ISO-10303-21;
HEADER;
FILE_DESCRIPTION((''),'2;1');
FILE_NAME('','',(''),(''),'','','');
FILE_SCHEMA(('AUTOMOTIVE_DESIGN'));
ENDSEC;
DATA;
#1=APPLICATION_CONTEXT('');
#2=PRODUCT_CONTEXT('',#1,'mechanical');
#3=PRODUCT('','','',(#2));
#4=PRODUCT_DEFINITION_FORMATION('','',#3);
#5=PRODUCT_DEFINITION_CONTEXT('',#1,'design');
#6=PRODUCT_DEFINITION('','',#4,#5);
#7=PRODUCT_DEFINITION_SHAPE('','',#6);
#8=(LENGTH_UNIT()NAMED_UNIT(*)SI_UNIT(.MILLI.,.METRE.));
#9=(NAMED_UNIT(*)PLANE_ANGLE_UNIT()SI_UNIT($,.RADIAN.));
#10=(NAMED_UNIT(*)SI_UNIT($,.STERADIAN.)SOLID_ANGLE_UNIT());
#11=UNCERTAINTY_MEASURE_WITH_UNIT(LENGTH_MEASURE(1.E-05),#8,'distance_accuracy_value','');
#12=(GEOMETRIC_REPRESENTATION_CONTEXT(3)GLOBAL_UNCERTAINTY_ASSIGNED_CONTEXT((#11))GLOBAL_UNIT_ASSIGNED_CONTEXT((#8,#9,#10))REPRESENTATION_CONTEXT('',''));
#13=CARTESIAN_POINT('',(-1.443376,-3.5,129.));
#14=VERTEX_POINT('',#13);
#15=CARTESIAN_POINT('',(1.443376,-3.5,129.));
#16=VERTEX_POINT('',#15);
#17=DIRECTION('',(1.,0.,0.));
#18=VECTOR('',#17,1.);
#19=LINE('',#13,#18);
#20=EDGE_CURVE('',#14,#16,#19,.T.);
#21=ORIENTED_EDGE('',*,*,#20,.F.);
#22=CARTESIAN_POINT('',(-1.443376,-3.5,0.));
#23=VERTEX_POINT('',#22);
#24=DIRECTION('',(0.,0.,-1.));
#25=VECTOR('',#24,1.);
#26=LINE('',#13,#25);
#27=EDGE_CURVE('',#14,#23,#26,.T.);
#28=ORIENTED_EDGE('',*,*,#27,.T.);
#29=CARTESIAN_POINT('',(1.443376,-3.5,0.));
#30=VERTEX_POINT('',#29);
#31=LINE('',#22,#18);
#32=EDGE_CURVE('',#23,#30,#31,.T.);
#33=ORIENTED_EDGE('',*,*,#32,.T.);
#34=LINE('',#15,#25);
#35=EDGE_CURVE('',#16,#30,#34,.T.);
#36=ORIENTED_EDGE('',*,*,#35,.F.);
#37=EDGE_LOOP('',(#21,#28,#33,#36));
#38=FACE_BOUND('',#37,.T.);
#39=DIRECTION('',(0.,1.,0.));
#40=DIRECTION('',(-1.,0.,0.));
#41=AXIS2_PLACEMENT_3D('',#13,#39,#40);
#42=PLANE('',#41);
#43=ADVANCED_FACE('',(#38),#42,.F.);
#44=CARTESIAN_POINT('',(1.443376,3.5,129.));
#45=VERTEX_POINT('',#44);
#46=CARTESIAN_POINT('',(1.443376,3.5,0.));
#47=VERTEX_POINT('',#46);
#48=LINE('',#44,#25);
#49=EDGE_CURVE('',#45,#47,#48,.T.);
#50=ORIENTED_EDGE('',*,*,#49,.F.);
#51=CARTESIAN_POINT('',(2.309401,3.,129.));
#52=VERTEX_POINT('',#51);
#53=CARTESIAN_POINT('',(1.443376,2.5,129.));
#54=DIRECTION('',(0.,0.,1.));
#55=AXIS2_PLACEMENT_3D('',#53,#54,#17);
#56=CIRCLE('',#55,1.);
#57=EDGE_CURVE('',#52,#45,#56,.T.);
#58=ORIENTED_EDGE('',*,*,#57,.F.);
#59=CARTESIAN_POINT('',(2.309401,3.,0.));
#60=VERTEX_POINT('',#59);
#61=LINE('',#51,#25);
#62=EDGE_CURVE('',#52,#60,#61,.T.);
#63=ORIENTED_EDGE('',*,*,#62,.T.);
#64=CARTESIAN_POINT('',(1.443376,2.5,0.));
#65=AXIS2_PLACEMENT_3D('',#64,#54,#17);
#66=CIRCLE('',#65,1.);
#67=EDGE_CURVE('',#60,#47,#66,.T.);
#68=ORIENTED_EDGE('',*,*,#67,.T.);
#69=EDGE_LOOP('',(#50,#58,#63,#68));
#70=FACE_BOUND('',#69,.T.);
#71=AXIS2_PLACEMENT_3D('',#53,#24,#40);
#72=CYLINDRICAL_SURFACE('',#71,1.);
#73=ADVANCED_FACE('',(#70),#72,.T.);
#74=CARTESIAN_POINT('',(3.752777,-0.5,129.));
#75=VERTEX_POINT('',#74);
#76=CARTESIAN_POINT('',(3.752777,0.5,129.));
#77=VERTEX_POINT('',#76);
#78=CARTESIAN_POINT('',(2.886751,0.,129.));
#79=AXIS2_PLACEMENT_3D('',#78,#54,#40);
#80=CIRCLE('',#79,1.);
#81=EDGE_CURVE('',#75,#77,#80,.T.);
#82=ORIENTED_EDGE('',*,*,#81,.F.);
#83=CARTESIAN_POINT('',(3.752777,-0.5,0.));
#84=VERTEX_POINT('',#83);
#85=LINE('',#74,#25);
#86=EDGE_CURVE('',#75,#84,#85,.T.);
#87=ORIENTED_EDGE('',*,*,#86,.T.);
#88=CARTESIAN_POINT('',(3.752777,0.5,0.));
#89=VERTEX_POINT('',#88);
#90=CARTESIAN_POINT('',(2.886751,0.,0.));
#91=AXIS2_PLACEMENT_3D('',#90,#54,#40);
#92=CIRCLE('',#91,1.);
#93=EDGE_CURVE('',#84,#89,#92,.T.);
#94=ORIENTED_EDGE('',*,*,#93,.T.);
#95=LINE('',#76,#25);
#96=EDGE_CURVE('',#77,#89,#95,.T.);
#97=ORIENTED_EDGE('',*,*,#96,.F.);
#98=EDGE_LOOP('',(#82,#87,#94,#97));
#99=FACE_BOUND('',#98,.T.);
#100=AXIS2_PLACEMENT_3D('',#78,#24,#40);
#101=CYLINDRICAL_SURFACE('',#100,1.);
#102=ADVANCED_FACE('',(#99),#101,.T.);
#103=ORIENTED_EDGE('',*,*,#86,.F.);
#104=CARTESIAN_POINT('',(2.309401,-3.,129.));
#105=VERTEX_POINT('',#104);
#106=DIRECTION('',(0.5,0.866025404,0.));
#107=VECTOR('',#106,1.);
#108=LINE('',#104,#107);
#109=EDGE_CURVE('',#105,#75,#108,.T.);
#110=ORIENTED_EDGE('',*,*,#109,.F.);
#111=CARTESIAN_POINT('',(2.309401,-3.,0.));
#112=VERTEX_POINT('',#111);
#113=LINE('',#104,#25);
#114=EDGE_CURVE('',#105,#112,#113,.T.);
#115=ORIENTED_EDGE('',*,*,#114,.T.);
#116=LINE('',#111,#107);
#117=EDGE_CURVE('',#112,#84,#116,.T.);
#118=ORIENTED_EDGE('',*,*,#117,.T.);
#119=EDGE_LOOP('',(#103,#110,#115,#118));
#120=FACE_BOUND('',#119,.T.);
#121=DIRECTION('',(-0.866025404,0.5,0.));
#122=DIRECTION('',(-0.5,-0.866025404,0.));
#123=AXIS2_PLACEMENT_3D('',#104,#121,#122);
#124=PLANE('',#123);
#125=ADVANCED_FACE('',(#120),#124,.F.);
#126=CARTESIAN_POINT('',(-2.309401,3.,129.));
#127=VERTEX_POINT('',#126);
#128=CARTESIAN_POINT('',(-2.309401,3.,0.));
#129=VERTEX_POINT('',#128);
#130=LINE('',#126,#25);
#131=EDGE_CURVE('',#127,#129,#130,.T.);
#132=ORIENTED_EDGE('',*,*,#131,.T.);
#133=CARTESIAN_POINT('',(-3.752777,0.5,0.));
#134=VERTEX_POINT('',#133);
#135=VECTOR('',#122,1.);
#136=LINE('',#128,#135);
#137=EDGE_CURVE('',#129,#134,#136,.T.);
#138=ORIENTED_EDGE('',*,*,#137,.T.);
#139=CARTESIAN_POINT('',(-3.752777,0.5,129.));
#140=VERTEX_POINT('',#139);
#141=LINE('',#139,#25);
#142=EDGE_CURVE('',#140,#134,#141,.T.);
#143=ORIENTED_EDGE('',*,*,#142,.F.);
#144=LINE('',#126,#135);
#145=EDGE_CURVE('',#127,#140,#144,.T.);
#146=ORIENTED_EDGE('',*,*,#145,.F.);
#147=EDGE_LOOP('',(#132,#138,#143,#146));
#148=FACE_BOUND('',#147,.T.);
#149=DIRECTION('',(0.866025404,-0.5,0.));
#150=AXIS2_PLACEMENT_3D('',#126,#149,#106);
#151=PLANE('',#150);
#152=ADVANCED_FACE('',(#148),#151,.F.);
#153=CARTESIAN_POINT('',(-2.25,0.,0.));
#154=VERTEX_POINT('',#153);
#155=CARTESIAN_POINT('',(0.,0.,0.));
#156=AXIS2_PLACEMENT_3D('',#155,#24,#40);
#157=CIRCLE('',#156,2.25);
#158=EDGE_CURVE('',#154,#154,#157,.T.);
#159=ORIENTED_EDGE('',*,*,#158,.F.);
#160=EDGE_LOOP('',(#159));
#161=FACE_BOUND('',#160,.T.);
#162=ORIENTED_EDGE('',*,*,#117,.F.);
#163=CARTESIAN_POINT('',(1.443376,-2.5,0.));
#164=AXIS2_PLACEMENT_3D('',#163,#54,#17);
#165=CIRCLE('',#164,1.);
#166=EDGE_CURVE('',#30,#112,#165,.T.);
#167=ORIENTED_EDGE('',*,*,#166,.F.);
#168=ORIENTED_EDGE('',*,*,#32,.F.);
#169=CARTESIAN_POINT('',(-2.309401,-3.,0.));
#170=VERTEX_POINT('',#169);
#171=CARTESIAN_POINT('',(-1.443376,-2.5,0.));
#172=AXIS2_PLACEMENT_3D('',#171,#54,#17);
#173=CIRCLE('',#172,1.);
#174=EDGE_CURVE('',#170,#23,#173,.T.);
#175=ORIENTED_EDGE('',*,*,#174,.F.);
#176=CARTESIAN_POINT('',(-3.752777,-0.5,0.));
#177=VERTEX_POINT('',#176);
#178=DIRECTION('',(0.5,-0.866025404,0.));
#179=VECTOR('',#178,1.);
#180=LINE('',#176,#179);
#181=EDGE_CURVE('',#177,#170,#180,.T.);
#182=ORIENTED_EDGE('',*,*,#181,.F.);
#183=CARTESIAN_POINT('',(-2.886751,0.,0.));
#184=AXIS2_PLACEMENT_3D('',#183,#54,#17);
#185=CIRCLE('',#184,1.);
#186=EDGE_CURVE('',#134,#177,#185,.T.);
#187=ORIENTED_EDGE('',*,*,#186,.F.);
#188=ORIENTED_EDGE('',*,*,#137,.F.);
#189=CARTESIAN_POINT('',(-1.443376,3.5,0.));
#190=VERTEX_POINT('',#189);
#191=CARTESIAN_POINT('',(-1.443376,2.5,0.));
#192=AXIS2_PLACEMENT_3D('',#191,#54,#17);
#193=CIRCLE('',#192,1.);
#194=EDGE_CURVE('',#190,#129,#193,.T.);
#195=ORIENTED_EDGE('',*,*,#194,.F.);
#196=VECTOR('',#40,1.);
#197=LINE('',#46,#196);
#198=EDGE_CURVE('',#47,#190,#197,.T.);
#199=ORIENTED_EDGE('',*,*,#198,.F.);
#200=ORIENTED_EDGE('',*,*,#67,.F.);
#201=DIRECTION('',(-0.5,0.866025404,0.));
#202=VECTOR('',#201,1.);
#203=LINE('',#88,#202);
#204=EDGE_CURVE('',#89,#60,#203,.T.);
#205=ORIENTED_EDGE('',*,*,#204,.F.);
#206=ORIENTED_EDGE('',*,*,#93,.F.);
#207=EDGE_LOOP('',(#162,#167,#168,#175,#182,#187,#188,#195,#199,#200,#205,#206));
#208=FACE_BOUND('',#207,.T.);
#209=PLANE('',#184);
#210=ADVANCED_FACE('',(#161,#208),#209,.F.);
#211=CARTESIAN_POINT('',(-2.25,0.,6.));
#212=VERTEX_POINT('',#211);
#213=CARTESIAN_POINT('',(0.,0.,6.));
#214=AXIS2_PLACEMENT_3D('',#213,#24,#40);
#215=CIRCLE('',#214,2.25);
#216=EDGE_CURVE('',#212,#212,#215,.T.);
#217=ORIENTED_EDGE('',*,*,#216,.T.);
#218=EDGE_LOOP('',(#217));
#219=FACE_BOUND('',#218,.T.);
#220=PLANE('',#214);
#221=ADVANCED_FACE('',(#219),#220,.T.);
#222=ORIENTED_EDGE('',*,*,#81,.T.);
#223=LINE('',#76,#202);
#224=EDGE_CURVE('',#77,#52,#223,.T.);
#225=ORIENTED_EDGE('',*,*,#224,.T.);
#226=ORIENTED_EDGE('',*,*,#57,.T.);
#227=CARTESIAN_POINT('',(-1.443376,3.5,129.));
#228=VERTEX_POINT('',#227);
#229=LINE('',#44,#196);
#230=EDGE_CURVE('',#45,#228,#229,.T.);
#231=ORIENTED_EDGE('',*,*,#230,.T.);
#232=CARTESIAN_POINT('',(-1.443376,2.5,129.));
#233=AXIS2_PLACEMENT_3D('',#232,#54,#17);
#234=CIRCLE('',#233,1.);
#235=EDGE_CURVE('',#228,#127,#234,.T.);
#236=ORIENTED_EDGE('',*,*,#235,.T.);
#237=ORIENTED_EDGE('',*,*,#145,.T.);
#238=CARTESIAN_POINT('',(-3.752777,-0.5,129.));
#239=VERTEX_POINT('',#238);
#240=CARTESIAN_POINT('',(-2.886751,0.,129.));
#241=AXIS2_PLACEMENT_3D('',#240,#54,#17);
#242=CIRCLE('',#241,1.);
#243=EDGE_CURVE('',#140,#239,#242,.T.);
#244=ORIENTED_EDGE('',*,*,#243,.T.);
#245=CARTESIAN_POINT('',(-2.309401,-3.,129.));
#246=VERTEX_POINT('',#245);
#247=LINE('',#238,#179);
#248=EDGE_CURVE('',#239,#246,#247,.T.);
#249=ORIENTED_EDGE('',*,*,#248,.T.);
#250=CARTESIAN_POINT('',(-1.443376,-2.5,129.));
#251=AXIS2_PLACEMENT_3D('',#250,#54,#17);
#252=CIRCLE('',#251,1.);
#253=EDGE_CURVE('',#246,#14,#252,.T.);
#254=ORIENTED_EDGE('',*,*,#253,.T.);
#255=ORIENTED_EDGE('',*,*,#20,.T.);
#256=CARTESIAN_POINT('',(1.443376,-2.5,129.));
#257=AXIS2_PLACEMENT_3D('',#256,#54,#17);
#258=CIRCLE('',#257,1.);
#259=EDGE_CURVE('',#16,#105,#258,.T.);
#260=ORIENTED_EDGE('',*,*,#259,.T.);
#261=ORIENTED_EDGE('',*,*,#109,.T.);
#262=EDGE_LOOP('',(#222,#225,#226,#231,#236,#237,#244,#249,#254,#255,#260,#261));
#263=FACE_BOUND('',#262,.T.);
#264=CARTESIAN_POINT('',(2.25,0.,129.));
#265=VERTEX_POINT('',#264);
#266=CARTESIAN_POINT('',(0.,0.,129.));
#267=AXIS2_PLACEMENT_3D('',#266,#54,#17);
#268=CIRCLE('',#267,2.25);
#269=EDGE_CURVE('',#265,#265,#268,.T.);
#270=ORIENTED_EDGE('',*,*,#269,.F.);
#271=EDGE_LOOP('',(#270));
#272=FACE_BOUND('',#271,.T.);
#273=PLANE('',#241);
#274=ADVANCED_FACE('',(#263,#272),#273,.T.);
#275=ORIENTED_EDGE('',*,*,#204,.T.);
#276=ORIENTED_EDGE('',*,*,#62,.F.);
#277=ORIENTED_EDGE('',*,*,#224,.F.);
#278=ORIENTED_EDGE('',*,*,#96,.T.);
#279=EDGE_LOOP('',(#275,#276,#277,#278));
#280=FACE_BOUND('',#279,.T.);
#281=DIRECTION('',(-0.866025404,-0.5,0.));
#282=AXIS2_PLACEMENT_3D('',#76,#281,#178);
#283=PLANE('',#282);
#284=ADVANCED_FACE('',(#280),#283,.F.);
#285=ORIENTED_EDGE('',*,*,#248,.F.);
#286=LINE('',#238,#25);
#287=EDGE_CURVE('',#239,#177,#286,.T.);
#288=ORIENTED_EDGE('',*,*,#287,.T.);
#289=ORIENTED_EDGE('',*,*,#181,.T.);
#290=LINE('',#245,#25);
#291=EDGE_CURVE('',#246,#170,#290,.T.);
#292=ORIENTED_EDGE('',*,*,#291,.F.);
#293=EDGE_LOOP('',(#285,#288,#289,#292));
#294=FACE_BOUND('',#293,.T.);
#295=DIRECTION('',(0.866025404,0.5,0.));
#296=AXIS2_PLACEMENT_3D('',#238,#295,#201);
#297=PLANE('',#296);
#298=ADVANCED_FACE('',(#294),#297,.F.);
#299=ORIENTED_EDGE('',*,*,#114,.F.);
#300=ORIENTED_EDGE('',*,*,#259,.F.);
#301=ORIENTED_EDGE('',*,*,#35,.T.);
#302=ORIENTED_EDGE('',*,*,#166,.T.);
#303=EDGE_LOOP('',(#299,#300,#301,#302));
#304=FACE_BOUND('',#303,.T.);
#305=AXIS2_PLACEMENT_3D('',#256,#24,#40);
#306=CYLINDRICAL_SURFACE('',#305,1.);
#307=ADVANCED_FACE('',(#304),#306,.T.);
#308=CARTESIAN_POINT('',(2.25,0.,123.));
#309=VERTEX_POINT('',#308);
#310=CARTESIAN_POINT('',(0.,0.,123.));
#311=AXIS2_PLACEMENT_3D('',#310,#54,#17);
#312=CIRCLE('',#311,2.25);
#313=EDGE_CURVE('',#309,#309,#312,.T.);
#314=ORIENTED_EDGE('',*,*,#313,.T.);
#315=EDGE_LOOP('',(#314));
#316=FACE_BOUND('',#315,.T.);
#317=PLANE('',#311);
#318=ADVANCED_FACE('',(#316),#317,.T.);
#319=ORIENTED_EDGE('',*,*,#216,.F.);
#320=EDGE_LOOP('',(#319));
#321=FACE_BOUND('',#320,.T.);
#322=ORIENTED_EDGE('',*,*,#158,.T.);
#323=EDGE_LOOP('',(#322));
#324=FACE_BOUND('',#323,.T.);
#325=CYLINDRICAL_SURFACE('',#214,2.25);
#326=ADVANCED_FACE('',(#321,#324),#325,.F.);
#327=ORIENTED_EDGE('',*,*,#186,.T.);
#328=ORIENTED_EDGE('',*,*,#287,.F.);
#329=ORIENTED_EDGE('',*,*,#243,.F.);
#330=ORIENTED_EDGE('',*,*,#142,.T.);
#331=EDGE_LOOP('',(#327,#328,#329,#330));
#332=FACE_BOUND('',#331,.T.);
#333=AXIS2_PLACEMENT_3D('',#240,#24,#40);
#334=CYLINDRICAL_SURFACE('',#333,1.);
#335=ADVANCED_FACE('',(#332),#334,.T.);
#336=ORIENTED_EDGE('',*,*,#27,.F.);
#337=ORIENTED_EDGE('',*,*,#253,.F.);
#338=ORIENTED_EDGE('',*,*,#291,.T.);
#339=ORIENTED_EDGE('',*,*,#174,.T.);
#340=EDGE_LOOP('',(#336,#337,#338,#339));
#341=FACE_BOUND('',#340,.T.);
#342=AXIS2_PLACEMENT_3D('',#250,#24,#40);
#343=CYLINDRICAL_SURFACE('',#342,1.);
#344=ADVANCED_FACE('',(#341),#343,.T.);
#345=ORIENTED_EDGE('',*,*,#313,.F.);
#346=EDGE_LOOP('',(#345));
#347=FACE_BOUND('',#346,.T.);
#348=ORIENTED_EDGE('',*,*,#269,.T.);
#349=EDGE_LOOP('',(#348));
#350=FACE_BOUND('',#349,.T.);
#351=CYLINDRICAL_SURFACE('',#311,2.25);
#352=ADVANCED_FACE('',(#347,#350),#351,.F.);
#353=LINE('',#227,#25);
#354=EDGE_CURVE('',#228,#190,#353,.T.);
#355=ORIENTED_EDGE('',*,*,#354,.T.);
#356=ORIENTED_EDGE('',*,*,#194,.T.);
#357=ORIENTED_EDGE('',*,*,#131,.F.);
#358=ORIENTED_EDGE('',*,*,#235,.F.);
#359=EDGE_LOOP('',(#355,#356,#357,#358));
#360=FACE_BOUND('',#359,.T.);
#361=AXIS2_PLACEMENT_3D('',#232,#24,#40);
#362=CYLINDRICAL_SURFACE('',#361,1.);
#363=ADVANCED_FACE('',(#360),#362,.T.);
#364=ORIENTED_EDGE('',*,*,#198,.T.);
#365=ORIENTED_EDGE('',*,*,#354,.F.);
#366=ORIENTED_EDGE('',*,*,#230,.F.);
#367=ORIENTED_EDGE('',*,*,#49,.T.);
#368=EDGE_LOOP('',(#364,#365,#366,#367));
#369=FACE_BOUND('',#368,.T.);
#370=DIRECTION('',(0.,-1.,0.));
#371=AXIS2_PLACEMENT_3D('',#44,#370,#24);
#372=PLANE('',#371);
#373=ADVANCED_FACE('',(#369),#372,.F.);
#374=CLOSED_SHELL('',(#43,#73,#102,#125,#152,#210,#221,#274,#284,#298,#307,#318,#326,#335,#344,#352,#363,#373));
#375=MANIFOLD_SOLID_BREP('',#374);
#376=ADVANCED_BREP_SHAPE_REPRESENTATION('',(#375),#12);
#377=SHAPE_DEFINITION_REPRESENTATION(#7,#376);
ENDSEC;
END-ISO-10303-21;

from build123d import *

# Parameters (mm, degrees)
EXTRUDE_1_DEPTH     = 129
SKETCH_2_R          = 2.25
CUT_EXTRUDE_1_DEPTH = 6
CUT_EXTRUDE_START   = -6
SKETCH_3_R          = 2.25
CUT_EXTRUDE_2_DEPTH = 6


with BuildPart() as part:
    # Эскиз1 → Бобышка-Вытянуть1 (new body)
    with BuildSketch(Plane.XY):
        with BuildLine():
            Line((3.75277675, 0.5), (2.309401077, 3))
            ThreePointArc((2.309401077, 3), (1.943375673, 3.366025404), (1.443375673, 3.5))
            Line((1.443375673, 3.5), (-1.443375673, 3.5))
            ThreePointArc((-1.443375673, 3.5), (-1.943375673, 3.366025404), (-2.309401077, 3))
            Line((-2.309401077, 3), (-3.75277675, 0.5))
            ThreePointArc((-3.75277675, 0.5), (-3.886751346, 0), (-3.75277675, -0.5))
            Line((-3.75277675, -0.5), (-2.309401077, -3))
            ThreePointArc((-2.309401077, -3), (-1.943375673, -3.366025404), (-1.443375673, -3.5))
            Line((-1.443375673, -3.5), (1.443375673, -3.5))
            ThreePointArc((1.443375673, -3.5), (1.943375673, -3.366025404), (2.309401077, -3))
            Line((2.309401077, -3), (3.75277675, -0.5))
            ThreePointArc((3.75277675, -0.5), (3.886751346, 0), (3.75277675, 0.5))
        make_face()
    extrude(amount=EXTRUDE_1_DEPTH)

    # Эскиз2 → Вырез-Вытянуть1 (cut)
    with BuildSketch(Plane.XY.offset(129)):
        Circle(SKETCH_2_R)
    extrude(amount=-CUT_EXTRUDE_1_DEPTH, mode=Mode.SUBTRACT)

    # Эскиз3 → Вырез-Вытянуть2 (cut)
    with BuildSketch(Plane(origin=(0, 0, 0), x_dir=(-1, 0, 0), z_dir=(0, 0, -1)).offset(CUT_EXTRUDE_START)):
        with Locations(Location((0, 0, 0), (0, 0, 180))):
            Circle(SKETCH_3_R)
    extrude(amount=CUT_EXTRUDE_2_DEPTH, mode=Mode.SUBTRACT)


solid = part.part
